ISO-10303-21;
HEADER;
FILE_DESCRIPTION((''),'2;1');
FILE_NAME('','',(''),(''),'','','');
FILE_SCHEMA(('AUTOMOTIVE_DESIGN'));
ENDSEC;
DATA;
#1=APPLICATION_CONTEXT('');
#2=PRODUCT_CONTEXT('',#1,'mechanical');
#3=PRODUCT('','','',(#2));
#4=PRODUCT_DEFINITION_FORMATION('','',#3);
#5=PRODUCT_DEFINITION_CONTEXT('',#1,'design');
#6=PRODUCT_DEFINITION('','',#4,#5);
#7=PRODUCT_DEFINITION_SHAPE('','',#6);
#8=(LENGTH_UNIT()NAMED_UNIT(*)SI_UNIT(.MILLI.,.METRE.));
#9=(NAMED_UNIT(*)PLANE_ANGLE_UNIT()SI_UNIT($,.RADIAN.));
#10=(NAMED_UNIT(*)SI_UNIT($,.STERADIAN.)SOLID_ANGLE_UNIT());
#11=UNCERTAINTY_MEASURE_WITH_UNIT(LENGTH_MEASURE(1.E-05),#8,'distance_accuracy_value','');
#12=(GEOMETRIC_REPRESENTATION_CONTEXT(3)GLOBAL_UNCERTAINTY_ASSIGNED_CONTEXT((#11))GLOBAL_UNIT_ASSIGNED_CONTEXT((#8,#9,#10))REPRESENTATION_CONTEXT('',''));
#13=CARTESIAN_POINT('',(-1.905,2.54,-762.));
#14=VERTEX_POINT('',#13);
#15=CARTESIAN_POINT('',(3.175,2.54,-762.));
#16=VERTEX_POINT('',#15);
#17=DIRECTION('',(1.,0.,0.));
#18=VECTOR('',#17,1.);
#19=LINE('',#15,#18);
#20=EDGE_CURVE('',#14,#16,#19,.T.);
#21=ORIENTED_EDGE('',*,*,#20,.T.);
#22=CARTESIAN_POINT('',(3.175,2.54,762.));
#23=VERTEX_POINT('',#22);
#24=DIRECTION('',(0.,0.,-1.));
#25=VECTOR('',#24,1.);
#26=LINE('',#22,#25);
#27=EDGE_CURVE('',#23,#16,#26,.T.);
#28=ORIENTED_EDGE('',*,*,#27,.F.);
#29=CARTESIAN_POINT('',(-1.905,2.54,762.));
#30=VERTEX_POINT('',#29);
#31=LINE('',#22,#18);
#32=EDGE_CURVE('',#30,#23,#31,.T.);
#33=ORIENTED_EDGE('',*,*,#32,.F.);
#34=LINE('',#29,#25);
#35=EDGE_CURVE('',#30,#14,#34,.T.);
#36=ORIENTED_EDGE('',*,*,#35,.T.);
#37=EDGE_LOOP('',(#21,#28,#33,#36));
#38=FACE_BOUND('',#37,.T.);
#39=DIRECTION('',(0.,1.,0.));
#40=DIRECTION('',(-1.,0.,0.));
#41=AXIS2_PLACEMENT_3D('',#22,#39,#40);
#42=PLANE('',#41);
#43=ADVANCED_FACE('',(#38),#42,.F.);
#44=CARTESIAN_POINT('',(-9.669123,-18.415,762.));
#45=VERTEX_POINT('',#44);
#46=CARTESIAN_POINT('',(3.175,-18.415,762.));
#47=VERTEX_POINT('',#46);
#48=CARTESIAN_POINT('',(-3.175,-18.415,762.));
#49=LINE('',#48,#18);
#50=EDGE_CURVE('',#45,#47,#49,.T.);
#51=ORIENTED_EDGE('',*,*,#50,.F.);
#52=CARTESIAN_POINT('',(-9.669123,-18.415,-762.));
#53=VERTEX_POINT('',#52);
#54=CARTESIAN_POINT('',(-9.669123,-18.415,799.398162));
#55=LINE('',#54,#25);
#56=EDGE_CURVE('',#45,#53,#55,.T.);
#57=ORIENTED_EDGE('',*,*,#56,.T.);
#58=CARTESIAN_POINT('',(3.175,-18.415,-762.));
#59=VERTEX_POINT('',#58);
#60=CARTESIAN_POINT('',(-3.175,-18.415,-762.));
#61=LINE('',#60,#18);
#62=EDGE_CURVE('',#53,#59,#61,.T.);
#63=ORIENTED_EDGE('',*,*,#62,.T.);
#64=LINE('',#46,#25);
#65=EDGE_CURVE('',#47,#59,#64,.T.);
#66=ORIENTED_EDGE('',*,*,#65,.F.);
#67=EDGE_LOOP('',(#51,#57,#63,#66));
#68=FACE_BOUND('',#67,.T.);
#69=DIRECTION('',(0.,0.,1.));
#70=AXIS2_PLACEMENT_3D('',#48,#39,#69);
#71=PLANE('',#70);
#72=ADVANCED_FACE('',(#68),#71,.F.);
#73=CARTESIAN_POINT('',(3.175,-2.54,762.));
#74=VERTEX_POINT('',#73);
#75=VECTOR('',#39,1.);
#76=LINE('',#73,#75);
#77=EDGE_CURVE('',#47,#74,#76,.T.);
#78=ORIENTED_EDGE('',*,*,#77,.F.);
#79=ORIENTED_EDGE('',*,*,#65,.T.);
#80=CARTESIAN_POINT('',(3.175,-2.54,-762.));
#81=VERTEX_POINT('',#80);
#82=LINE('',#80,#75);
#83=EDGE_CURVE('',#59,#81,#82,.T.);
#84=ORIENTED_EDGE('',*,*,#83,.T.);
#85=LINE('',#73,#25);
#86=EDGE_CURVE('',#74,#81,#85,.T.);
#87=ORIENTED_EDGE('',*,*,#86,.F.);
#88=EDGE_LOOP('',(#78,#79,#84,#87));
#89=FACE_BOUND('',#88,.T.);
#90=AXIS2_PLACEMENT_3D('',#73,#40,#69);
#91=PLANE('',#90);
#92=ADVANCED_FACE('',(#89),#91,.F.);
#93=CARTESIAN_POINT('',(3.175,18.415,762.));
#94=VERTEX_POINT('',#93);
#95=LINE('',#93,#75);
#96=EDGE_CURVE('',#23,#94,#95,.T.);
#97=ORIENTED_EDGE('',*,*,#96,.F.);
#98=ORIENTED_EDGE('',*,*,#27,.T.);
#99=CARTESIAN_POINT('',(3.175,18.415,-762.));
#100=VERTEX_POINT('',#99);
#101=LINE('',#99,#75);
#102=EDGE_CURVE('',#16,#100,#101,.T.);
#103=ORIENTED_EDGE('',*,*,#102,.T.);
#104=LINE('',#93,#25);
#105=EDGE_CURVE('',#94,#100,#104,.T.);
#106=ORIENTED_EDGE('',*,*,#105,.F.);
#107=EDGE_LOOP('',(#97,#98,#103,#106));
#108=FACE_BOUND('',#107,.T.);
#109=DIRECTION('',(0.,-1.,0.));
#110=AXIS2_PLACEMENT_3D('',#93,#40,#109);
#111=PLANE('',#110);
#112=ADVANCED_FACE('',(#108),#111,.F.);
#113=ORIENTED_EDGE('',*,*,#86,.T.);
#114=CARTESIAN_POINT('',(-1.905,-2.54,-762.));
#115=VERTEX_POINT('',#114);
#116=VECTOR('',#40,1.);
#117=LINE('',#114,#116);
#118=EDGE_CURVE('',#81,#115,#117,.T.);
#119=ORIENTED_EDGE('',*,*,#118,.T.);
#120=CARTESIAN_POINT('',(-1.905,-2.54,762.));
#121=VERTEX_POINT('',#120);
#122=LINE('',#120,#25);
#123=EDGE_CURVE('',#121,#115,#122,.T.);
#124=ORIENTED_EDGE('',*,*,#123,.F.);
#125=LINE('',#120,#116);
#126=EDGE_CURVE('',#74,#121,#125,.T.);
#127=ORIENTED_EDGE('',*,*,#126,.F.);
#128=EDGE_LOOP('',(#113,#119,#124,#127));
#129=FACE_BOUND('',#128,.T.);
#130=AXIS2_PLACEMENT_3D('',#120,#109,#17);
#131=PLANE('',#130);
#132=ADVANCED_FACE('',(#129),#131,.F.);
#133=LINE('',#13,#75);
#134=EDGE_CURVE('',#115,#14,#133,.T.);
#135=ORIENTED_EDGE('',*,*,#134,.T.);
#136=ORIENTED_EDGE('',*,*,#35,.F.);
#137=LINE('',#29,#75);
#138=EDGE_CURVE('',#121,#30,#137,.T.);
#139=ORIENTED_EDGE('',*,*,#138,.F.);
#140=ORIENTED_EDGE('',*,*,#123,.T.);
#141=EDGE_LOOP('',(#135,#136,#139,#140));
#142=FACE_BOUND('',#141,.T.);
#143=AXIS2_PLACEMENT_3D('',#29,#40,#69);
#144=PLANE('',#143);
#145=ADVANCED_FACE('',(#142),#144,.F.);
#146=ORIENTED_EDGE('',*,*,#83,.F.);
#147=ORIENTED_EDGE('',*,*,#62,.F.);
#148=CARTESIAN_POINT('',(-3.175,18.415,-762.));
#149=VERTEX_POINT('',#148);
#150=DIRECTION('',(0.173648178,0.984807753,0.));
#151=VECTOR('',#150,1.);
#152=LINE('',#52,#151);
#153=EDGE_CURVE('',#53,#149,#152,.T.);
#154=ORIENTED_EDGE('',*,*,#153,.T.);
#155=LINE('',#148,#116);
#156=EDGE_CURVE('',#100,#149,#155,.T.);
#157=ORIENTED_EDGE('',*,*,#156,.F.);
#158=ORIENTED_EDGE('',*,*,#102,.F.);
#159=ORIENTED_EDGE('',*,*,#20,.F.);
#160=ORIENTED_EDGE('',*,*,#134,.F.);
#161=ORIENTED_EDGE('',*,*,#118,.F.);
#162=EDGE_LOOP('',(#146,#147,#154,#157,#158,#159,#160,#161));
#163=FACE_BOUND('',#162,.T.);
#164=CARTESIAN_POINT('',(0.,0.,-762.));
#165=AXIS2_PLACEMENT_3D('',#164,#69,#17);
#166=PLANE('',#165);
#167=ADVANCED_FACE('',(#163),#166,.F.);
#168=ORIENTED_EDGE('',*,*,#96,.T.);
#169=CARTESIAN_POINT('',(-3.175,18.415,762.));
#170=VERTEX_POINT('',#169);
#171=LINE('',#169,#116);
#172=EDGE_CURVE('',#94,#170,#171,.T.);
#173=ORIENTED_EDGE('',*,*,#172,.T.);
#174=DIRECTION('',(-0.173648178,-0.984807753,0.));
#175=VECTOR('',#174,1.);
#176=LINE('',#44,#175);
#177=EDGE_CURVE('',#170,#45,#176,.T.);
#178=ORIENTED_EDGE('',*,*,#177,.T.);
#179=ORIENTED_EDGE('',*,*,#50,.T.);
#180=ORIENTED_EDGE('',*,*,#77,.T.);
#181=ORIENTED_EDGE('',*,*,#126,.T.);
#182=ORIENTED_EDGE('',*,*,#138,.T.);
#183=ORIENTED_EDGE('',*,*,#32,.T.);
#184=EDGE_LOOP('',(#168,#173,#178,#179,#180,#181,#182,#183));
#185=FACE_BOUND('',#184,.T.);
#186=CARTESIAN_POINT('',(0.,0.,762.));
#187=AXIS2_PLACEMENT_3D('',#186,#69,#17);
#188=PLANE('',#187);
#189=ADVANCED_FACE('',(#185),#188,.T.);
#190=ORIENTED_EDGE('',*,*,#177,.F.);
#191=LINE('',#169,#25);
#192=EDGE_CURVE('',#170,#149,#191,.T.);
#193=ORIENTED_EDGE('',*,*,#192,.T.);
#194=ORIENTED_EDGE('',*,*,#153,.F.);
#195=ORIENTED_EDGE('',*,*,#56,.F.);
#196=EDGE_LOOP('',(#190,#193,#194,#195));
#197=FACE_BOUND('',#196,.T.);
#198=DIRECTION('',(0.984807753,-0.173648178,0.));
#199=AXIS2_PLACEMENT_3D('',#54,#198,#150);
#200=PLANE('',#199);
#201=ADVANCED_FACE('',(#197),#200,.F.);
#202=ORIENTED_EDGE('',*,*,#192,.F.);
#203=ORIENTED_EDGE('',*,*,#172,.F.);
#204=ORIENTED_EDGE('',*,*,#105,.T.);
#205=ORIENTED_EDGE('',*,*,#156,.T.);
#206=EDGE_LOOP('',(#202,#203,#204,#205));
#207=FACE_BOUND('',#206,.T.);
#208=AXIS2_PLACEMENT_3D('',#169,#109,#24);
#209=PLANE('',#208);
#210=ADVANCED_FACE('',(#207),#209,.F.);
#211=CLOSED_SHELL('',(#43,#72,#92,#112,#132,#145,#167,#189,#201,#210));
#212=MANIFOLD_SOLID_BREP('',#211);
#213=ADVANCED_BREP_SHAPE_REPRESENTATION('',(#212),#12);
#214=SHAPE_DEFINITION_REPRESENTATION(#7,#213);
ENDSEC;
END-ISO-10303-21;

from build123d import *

# Parameters (mm, degrees)
BOSS_EXTRUDE1_DEPTH = 762
BOSS_EXTRUDE2_START = -762
BOSS_EXTRUDE2_DEPTH = 1524


with BuildPart() as part:
    # Sketch1 → Boss-Extrude1 (new, symmetric)
    with BuildSketch(Plane.XY):
        Polygon((3.175, 2.54), (-1.905, 2.54), (-1.905, -2.54), (3.175, -2.54), (3.175, -18.415), (-3.175, -18.415), (-3.175, 18.415), (3.175, 18.415), align=None)
    extrude(amount=BOSS_EXTRUDE1_DEPTH, both=True)

    # Sketch2 → Boss-Extrude2 (add)
    with BuildSketch(Plane.XY.offset(BOSS_EXTRUDE2_START)):
        Polygon((-3.175, 18.415), (-3.175, -18.415), (-9.669122699, -18.415), align=None)
    extrude(amount=BOSS_EXTRUDE2_DEPTH)


solid = part.part
